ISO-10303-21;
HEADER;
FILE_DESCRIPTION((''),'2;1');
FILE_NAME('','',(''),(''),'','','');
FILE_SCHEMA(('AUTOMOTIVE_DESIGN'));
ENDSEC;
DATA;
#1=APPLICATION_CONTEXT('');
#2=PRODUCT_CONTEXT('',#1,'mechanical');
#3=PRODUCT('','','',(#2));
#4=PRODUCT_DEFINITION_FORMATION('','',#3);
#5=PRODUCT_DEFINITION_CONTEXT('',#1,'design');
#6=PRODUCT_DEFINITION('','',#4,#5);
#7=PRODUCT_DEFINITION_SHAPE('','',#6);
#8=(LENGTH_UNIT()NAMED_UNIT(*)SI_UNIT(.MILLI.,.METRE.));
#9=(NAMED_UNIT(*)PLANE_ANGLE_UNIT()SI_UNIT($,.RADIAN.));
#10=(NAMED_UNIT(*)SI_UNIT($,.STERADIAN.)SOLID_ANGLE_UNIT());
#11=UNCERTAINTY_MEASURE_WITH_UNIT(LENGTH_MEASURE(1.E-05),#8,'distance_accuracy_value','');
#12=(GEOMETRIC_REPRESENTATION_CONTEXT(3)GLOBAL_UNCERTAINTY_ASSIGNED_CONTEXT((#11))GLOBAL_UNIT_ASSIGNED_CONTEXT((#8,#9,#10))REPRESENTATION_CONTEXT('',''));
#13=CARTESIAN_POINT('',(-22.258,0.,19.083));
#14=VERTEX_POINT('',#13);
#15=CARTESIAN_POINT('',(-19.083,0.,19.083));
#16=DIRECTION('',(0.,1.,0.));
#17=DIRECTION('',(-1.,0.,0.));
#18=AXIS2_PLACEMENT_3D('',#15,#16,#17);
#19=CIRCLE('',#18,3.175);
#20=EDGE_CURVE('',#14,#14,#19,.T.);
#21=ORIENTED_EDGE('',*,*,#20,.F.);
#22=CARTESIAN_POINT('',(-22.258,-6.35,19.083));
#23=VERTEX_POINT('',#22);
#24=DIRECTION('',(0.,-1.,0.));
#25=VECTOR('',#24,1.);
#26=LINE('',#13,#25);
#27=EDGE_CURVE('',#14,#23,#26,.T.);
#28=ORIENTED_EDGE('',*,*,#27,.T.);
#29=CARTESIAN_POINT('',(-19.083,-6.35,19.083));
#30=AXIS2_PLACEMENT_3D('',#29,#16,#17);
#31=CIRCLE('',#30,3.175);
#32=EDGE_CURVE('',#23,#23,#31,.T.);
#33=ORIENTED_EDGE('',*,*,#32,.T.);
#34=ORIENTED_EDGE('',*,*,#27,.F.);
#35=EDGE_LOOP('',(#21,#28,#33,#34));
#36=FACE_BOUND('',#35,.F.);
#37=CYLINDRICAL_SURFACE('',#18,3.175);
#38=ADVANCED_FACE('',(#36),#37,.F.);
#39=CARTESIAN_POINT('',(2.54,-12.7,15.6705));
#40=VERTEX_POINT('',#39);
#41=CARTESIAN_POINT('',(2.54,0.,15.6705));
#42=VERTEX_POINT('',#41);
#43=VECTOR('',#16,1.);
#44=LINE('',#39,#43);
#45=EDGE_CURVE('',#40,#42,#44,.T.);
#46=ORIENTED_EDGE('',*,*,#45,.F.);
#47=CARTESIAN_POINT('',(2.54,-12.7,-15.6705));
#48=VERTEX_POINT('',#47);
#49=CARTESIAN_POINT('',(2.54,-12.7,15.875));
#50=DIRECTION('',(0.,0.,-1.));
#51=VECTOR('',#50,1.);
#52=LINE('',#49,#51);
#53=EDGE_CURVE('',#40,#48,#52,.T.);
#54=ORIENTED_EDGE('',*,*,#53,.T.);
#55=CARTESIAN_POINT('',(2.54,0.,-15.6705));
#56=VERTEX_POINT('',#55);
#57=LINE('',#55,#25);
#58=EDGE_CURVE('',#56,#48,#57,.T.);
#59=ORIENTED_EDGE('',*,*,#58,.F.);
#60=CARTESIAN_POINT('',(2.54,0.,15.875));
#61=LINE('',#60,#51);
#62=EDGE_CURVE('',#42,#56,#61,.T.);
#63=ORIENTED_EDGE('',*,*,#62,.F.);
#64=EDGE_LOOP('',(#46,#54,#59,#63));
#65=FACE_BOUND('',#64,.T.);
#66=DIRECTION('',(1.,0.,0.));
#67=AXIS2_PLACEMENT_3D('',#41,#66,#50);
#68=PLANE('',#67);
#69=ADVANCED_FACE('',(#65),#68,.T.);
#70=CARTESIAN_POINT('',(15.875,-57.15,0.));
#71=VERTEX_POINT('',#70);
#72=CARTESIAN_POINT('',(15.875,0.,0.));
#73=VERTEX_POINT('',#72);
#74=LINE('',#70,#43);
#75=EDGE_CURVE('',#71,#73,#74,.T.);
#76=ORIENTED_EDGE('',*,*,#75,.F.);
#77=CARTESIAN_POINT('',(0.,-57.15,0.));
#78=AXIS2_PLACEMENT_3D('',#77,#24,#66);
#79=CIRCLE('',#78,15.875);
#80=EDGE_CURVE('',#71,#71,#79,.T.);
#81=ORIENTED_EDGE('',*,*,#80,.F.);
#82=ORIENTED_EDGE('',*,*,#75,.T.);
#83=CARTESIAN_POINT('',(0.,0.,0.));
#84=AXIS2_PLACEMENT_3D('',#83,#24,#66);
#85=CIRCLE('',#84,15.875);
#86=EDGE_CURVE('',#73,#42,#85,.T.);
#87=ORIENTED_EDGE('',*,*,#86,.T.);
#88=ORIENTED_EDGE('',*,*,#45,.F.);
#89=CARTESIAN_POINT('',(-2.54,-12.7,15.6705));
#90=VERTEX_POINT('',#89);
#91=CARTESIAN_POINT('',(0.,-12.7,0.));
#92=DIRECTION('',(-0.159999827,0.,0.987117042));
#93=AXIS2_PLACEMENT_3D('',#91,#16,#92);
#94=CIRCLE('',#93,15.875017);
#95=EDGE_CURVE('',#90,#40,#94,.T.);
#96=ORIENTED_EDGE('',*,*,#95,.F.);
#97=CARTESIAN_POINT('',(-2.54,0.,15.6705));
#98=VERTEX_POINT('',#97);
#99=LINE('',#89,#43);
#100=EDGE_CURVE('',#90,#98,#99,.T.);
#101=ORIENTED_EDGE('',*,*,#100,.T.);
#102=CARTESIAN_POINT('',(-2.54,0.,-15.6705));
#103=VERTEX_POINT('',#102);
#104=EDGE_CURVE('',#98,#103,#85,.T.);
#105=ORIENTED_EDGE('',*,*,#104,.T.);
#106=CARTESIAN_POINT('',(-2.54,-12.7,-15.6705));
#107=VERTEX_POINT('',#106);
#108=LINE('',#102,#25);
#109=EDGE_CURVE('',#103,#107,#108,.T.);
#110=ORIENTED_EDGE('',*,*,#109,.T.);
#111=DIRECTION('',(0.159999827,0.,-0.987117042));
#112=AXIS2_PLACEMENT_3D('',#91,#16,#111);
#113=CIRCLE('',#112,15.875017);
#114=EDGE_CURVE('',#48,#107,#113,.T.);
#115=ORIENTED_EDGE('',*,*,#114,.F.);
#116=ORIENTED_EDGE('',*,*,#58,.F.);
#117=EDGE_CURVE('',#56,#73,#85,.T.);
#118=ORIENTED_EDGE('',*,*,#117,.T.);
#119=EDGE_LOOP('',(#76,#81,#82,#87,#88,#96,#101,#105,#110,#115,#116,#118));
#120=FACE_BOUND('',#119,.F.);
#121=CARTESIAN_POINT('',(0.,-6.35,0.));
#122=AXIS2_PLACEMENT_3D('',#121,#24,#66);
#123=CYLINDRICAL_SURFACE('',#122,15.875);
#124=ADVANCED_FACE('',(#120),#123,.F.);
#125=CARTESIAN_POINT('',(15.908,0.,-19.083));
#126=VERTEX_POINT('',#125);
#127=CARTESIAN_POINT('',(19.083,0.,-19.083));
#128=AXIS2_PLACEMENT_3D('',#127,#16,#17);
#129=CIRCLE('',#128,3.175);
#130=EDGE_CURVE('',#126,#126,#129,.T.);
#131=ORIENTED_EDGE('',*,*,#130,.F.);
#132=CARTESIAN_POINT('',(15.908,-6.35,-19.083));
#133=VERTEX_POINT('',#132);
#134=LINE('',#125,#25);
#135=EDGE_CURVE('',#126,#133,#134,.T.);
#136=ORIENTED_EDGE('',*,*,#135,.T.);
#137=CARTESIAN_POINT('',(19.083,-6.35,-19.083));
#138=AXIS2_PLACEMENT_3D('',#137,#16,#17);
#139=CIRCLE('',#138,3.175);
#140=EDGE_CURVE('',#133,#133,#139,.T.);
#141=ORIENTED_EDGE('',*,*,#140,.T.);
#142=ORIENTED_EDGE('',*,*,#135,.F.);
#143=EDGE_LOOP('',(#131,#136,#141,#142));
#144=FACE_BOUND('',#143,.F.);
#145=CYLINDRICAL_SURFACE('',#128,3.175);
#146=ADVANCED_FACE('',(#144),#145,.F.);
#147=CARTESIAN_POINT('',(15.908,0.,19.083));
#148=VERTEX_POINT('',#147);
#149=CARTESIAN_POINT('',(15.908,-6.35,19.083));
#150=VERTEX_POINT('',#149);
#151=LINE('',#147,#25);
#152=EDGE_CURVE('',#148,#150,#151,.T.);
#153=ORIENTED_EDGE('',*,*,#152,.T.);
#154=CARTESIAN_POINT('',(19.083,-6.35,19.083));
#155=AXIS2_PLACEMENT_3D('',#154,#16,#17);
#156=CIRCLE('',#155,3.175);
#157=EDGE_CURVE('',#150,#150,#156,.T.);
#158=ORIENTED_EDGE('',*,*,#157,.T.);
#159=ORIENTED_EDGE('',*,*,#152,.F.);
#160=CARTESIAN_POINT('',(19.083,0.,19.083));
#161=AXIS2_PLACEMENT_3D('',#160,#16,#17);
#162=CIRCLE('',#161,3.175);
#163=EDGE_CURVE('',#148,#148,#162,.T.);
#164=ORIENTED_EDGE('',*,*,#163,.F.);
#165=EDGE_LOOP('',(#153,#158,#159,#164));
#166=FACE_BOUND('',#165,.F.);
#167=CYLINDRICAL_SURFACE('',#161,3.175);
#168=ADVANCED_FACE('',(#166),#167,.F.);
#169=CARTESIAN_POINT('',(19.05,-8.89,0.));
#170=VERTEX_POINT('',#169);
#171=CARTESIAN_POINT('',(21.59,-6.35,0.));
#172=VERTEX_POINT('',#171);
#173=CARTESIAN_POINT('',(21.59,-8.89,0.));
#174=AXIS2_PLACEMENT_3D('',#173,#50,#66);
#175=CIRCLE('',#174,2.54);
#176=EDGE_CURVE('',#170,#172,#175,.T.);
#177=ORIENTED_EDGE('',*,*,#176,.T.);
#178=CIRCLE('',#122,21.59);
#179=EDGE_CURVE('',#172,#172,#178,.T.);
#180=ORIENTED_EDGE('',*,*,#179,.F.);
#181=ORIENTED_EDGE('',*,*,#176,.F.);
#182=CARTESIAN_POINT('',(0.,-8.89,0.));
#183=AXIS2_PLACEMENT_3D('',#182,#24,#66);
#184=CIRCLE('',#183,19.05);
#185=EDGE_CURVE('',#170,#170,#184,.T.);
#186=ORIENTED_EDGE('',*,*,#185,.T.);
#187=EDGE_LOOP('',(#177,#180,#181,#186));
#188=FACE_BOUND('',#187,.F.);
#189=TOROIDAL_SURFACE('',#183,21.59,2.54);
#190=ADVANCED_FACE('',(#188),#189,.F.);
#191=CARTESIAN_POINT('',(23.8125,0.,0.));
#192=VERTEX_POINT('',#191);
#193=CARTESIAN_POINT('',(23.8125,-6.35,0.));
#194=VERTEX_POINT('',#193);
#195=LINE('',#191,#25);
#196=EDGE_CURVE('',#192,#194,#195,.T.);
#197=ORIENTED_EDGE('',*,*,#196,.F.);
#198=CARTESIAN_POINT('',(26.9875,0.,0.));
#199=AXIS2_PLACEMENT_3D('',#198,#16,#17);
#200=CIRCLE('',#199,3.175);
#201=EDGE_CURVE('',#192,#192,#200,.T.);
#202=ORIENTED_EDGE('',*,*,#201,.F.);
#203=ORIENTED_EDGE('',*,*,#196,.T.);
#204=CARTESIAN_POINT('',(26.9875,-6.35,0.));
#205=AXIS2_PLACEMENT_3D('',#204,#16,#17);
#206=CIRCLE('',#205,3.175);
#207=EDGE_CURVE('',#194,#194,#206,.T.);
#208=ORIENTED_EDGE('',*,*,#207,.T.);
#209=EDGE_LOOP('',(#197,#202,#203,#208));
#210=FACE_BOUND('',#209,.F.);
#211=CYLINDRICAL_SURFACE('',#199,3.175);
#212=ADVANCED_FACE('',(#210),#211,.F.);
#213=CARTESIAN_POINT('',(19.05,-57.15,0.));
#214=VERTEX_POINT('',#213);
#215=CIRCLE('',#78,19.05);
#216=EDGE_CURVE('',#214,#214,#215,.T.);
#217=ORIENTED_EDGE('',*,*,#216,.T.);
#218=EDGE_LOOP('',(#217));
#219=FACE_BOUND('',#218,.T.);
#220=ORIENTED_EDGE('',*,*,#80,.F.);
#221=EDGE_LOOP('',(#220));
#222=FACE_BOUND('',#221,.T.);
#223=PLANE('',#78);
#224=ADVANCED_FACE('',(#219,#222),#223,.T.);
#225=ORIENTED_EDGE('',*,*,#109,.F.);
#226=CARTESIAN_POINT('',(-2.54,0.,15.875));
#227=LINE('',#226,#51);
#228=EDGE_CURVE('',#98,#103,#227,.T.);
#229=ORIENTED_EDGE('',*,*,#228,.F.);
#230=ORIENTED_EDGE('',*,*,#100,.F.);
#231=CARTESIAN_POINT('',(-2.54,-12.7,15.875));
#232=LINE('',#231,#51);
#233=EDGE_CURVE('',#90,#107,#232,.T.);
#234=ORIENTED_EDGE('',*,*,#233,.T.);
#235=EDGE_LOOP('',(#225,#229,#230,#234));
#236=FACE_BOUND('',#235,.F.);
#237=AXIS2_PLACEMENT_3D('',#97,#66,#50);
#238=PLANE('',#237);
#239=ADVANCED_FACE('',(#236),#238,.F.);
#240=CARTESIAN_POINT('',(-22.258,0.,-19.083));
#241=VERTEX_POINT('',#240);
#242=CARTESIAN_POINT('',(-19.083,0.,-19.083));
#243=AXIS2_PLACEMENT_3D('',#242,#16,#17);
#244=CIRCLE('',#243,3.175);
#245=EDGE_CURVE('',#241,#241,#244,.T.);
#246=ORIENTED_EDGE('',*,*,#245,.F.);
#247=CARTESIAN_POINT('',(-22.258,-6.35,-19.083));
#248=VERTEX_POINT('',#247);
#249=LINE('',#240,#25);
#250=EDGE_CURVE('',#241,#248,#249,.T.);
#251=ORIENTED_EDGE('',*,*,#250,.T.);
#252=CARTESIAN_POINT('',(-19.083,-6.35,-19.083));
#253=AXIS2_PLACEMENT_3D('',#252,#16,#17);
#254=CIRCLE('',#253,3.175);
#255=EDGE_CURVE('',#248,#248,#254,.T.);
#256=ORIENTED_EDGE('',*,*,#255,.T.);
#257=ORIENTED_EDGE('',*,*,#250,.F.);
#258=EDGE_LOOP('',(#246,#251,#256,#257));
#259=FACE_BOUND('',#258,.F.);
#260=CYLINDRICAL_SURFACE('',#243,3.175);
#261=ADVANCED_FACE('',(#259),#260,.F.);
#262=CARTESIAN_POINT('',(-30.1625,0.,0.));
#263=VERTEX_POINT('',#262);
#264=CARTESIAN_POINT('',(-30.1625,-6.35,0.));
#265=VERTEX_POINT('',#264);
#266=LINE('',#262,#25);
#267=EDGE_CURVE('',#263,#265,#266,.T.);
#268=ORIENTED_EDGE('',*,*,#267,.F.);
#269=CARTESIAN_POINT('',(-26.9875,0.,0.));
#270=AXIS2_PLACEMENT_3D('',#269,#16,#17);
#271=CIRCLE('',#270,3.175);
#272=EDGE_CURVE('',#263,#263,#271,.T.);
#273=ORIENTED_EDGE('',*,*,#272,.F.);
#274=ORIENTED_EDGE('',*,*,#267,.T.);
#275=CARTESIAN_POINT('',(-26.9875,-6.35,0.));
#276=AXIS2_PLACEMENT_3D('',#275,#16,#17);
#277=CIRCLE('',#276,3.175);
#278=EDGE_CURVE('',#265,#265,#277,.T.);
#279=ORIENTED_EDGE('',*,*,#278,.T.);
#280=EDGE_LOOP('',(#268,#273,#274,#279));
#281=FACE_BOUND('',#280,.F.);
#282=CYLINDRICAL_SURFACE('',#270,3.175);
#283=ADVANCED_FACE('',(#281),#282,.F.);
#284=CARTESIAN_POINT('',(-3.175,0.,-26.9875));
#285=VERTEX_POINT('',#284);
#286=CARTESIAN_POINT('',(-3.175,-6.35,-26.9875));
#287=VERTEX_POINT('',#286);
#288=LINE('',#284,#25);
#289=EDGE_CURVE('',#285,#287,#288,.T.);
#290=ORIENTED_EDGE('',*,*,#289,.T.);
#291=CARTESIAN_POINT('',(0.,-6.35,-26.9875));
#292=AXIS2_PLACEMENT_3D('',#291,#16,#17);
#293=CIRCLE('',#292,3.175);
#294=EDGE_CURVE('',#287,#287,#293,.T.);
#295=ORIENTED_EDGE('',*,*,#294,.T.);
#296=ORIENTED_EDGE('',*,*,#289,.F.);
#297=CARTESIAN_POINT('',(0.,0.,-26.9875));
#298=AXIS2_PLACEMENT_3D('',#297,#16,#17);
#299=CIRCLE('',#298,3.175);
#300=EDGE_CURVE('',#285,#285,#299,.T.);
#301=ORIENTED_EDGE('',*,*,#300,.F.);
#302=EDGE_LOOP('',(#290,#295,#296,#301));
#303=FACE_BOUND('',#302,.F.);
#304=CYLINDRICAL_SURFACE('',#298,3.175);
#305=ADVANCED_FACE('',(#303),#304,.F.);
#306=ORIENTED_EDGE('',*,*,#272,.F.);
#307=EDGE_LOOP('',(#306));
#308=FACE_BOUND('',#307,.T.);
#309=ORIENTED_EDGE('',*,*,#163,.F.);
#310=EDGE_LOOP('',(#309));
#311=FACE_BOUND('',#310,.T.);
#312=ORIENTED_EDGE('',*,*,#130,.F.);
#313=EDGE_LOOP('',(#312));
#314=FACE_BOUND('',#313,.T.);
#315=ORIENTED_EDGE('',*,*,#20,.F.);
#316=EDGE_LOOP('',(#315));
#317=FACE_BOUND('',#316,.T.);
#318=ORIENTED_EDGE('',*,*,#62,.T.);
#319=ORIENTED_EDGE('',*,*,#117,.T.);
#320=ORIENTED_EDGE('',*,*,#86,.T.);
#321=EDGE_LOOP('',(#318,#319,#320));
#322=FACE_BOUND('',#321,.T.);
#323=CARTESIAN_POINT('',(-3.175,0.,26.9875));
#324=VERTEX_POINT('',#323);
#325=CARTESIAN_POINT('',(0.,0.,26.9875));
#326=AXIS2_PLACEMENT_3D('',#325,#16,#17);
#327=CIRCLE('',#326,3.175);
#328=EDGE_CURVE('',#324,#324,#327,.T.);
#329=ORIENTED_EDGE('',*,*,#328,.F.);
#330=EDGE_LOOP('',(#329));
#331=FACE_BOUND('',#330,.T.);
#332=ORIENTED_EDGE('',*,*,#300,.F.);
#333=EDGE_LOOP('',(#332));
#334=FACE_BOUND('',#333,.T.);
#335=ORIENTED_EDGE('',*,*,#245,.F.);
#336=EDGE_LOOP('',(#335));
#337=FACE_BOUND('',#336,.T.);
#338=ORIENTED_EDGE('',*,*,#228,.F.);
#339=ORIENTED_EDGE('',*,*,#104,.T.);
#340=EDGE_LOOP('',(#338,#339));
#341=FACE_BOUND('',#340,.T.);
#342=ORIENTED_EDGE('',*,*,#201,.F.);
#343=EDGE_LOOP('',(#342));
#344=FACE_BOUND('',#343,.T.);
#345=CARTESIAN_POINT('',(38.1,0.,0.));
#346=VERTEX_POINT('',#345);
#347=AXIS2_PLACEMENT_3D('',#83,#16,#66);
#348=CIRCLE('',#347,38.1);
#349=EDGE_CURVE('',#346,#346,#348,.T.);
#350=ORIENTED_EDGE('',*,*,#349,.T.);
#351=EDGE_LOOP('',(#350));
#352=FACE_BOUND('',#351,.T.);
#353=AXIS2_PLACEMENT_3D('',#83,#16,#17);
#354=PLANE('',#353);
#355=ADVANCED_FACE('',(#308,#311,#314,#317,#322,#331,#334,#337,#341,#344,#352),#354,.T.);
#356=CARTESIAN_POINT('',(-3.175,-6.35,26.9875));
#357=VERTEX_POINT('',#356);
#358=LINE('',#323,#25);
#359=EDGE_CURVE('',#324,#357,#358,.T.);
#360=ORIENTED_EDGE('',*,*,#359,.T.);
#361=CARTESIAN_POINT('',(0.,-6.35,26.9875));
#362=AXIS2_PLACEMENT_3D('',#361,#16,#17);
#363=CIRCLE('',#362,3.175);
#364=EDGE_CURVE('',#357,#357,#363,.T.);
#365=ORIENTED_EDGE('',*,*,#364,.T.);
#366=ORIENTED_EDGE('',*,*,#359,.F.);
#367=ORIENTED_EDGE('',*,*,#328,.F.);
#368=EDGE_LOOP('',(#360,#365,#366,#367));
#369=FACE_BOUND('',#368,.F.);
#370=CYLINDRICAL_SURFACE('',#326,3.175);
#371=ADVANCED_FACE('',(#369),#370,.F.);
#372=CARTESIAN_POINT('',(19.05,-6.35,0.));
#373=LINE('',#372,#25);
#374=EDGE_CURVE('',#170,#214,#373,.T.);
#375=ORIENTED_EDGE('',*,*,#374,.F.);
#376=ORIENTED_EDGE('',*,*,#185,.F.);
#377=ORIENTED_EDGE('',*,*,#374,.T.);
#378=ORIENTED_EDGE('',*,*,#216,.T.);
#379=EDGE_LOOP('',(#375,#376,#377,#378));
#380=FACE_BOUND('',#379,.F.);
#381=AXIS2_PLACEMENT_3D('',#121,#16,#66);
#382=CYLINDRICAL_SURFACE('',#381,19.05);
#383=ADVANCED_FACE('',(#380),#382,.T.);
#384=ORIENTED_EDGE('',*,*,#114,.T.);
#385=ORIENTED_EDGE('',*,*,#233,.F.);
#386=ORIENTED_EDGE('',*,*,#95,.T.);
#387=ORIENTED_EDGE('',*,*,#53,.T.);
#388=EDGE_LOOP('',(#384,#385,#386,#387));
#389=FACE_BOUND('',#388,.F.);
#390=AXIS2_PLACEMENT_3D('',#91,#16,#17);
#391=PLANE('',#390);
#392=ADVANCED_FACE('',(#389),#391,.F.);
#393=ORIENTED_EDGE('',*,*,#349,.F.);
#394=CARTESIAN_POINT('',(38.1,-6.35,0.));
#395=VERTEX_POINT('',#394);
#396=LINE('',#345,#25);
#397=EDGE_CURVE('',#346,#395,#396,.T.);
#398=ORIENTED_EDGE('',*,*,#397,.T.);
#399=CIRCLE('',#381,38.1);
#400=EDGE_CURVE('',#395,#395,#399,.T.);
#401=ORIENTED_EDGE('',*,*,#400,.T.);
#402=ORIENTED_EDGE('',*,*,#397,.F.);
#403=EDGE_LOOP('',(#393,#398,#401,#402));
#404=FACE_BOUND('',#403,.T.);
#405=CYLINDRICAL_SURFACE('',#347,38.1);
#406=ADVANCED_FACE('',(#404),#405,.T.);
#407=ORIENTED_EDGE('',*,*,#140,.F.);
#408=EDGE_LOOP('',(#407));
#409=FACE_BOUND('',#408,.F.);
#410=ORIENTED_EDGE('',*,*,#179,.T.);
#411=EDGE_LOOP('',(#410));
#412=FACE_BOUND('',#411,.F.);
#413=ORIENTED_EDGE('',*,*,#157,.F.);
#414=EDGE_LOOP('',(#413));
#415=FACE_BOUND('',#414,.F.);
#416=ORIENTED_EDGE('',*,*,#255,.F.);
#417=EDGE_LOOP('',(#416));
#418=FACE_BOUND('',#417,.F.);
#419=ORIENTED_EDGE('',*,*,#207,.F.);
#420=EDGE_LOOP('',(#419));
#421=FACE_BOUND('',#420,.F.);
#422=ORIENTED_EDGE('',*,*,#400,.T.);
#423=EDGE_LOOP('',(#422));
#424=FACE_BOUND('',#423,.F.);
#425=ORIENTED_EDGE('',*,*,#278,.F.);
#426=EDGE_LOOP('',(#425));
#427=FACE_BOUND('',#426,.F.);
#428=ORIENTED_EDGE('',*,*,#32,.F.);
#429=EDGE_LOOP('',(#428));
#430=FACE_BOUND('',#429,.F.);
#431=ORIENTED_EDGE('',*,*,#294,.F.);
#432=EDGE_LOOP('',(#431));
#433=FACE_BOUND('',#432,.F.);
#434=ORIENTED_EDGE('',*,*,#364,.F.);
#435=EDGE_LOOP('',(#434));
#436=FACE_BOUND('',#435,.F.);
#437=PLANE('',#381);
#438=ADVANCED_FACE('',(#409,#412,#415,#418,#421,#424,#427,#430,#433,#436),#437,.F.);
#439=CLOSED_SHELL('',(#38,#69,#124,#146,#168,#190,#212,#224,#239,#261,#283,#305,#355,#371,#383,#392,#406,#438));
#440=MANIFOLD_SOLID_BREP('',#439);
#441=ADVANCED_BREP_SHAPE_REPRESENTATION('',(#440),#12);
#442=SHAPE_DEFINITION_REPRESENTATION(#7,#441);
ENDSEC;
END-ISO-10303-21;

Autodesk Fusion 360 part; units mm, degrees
sketch "Sketch1" plane through (0, 0, 0) normal (0, 1, 0) x (1, 0, 0)
  circle A0 centre (0, 0) radius 38.1
  dimension "d1" = 76.2
extrude "Extrude1" add sketch "Sketch1" against normal blind 6.35
sketch "Sketch2" plane through (0, -6.35, 0) normal (0, -1, 0) x (1, 0, 0)
  circle A0 centre (0, 0) radius 38.1
  circle A1 centre (0, 0) radius 15.875
  dimension "d4" = 31.75
extrude "Extrude2" cut sketch "Sketch2" against normal blind 83.82 contours A1
sketch "Sketch3" plane through (0, -6.35, 0) normal (0, -1, 0) x (1, 0, 0)
  circle A0 centre (0, 0) radius 15.875
  circle A1 centre (0, 0) radius 38.1
  circle A2 centre (0, 0) radius 15.875
  circle A3 centre (0, 0) radius 19.05
  dimension "d7" = 31.75
  dimension "d8" = 38.1
extrude "Extrude3" add sketch "Sketch3" along normal blind 50.8 contours A3
fillet "Fillet1" radius 2.54 1 edges at (-17.7608, -6.35, 6.8888)
sketch "Sketch4" plane through (0, 0, 0) normal (0, 1, 0) x (-1, 0, 0)
  circle A0 centre (0, 0) radius 15.875
  circle A1 centre (0, 0) radius 38.1
  circle A2 centre (0, 26.9875) radius 3.175
  circle A3 centre (-19.083, 19.083) radius 3.175
  circle A4 centre (-26.9875, 0) radius 3.175
  circle A5 centre (-19.083, -19.083) radius 3.175
  circle A6 centre (0, -26.9875) radius 3.175
  circle A7 centre (19.083, -19.083) radius 3.175
  circle A8 centre (26.9875, 0) radius 3.175
  circle A9 centre (19.083, 19.083) radius 3.175
  dimension "d13" = 6.35
  dimension "d15" = 360
extrude "Extrude4" cut sketch "Sketch4" against normal blind 76.2 contours A2 | A3 | A4 | A5 | A6 | A7 | A8 | A9
sketch "Sketch5" plane through (0, 0, 0) normal (0, 1, 0) x (-1, 0, 0)
  circle A0 centre (0, 26.9875) radius 3.175
  circle A1 centre (0, -26.9875) radius 3.175
  circle A2 centre (19.083, -19.083) radius 3.175
  circle A3 centre (-19.083, 19.083) radius 3.175
  circle A4 centre (19.083, 19.083) radius 3.175
  circle A5 centre (-19.083, -19.083) radius 3.175
  circle A6 centre (26.9875, 0) radius 3.175
  circle A7 centre (-26.9875, 0) radius 3.175
  circle A8 centre (0, 0) radius 15.875
  circle A9 centre (0, 0) radius 38.1
  line L0 (-2.54, 15.875) -> (-2.54, -15.875)
  line L1 (2.54, 15.875) -> (2.54, -15.875)
  arc A10 (-2.54, -15.6705) -> (2.54, -15.6705) centre (0, 0) ccw
  arc A11 (2.54, 15.6705) -> (-2.54, 15.6705) centre (0, 0) ccw
extrude "Extrude5" add sketch "Sketch5" against normal blind 12.7 contours A8 L0 L1 A10 A11
